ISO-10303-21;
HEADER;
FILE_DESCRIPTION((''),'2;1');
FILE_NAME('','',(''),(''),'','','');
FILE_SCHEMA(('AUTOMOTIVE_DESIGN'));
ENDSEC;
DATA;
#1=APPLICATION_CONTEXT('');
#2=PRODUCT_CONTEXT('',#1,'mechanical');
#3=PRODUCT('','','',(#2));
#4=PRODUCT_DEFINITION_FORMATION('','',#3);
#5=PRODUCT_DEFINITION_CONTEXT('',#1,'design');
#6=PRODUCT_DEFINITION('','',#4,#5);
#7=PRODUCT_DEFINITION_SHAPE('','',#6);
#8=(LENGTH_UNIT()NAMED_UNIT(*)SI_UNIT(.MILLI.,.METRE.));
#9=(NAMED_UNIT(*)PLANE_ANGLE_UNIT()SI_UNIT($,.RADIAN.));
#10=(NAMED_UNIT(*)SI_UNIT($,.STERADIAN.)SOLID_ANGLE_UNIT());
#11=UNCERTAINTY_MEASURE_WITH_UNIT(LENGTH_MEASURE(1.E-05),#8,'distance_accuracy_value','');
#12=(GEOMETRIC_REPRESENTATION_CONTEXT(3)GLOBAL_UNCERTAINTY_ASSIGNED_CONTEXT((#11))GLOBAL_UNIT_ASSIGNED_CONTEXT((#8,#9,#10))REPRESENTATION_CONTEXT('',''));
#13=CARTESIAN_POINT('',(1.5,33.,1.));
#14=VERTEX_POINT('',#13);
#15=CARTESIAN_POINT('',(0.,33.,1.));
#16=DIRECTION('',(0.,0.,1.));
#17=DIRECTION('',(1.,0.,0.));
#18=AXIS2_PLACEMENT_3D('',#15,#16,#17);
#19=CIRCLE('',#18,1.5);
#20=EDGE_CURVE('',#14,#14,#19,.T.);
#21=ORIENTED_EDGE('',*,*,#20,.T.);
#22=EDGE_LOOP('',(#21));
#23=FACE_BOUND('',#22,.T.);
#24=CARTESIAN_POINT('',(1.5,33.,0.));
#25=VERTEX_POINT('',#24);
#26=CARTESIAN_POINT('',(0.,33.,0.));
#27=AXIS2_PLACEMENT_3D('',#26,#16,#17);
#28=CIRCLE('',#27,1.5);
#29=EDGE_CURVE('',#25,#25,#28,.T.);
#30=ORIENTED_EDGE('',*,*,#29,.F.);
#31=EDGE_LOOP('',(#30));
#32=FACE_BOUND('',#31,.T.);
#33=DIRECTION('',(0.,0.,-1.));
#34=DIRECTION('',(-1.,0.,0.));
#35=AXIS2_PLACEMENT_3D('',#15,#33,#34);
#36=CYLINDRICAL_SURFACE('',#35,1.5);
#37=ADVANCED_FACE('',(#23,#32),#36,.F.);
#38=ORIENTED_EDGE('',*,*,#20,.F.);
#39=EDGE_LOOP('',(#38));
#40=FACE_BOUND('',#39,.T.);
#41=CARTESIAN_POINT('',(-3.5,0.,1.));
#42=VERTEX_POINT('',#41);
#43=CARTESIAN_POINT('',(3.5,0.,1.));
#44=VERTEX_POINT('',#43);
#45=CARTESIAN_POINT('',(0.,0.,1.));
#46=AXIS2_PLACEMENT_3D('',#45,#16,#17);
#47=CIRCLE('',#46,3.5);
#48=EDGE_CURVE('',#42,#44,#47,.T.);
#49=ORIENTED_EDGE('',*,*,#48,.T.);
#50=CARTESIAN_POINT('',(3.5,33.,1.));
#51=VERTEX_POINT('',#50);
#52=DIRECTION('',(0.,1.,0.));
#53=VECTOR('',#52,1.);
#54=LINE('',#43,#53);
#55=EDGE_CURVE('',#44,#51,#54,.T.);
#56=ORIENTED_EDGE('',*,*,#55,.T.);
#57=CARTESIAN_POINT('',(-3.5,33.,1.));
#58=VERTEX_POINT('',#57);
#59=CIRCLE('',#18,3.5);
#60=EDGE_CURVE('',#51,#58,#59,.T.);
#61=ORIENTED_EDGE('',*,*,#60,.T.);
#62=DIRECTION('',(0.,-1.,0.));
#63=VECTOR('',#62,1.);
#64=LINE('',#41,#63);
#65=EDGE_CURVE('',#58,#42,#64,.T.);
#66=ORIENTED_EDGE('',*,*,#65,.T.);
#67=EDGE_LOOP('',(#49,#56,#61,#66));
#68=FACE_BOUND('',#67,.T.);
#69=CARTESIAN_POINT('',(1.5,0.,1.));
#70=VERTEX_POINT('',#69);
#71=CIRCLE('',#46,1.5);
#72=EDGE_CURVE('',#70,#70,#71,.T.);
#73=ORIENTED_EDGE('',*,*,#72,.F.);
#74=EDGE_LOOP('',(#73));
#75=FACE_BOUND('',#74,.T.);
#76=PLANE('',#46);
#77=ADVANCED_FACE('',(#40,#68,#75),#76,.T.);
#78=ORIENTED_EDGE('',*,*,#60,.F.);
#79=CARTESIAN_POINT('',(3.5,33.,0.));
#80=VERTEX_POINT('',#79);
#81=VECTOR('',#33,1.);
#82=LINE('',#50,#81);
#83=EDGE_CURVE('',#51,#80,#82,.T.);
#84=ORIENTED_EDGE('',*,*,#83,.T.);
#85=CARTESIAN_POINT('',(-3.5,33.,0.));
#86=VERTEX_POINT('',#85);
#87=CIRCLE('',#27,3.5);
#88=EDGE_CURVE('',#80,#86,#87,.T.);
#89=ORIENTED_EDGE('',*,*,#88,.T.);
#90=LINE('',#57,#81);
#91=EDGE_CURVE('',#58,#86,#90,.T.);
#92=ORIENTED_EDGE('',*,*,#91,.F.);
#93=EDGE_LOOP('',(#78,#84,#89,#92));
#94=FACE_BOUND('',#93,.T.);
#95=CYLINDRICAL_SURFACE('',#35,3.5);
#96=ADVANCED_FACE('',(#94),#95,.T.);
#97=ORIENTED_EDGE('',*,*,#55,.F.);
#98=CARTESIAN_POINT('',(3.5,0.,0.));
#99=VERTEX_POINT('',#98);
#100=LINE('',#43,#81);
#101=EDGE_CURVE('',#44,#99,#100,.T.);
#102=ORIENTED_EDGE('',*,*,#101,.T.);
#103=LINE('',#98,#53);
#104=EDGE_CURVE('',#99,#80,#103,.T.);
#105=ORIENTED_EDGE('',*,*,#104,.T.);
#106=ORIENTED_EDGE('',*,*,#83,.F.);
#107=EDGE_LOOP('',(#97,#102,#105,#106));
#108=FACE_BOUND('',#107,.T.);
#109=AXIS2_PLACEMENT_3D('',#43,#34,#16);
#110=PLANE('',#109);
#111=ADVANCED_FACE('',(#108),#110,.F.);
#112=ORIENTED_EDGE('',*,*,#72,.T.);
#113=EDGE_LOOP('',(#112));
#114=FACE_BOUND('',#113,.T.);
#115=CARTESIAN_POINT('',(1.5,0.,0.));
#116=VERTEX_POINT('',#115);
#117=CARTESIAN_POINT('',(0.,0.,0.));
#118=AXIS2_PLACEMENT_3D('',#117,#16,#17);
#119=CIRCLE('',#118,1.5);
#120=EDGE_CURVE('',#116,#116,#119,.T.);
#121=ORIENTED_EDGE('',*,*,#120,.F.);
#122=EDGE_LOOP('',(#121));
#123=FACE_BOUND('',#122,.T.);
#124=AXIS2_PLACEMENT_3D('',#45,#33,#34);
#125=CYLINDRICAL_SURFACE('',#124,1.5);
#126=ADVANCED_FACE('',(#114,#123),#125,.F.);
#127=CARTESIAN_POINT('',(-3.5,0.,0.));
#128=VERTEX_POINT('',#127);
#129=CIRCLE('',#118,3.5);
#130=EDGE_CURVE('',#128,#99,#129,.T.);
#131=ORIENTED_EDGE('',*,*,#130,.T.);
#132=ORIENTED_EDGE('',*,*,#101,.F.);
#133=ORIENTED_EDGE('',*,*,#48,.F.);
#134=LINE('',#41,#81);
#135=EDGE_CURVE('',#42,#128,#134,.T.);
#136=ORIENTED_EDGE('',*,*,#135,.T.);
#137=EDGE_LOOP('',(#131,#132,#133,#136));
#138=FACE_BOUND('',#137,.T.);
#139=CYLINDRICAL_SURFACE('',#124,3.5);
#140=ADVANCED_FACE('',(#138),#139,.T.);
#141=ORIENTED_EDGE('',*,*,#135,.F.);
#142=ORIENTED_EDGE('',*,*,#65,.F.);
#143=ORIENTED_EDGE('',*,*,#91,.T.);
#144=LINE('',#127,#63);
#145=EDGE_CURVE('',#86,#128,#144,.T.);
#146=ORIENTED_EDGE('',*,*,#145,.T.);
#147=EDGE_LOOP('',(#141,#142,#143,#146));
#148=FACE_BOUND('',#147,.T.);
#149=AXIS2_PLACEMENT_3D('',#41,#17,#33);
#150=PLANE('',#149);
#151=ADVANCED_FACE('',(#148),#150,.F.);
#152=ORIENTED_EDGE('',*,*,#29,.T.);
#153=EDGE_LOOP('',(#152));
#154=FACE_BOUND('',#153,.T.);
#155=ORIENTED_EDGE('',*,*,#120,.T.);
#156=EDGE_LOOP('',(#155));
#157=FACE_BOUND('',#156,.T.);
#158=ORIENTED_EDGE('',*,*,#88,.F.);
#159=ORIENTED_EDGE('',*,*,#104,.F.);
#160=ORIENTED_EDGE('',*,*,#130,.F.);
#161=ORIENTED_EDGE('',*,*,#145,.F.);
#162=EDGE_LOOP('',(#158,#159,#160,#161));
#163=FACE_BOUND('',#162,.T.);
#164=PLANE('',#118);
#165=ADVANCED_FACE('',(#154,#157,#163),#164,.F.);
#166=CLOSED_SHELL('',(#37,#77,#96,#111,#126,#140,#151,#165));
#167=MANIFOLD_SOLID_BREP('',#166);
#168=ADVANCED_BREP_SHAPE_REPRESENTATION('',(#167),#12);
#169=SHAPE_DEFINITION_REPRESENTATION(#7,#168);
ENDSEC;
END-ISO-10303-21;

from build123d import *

# Parameters (mm, degrees)
SKETCH2_R           = 1.5
BOSS_EXTRUDE1_DEPTH = 1


with BuildPart() as part:
    # Sketch2 → Boss-Extrude1 (new body)
    with BuildSketch(Plane.XY):
        with BuildLine():
            Line((-3.5, 0), (-3.5, 33))
            ThreePointArc((-3.5, 33), (0, 36.5), (3.5, 33))
            Line((3.5, 33), (3.5, 0))
            ThreePointArc((3.5, 0), (0, -3.5), (-3.5, 0))
        make_face()
        with Locations((0, 33)):
            Circle(SKETCH2_R, mode=Mode.SUBTRACT)
        Circle(SKETCH2_R, mode=Mode.SUBTRACT)
    extrude(amount=BOSS_EXTRUDE1_DEPTH)


solid = part.part
